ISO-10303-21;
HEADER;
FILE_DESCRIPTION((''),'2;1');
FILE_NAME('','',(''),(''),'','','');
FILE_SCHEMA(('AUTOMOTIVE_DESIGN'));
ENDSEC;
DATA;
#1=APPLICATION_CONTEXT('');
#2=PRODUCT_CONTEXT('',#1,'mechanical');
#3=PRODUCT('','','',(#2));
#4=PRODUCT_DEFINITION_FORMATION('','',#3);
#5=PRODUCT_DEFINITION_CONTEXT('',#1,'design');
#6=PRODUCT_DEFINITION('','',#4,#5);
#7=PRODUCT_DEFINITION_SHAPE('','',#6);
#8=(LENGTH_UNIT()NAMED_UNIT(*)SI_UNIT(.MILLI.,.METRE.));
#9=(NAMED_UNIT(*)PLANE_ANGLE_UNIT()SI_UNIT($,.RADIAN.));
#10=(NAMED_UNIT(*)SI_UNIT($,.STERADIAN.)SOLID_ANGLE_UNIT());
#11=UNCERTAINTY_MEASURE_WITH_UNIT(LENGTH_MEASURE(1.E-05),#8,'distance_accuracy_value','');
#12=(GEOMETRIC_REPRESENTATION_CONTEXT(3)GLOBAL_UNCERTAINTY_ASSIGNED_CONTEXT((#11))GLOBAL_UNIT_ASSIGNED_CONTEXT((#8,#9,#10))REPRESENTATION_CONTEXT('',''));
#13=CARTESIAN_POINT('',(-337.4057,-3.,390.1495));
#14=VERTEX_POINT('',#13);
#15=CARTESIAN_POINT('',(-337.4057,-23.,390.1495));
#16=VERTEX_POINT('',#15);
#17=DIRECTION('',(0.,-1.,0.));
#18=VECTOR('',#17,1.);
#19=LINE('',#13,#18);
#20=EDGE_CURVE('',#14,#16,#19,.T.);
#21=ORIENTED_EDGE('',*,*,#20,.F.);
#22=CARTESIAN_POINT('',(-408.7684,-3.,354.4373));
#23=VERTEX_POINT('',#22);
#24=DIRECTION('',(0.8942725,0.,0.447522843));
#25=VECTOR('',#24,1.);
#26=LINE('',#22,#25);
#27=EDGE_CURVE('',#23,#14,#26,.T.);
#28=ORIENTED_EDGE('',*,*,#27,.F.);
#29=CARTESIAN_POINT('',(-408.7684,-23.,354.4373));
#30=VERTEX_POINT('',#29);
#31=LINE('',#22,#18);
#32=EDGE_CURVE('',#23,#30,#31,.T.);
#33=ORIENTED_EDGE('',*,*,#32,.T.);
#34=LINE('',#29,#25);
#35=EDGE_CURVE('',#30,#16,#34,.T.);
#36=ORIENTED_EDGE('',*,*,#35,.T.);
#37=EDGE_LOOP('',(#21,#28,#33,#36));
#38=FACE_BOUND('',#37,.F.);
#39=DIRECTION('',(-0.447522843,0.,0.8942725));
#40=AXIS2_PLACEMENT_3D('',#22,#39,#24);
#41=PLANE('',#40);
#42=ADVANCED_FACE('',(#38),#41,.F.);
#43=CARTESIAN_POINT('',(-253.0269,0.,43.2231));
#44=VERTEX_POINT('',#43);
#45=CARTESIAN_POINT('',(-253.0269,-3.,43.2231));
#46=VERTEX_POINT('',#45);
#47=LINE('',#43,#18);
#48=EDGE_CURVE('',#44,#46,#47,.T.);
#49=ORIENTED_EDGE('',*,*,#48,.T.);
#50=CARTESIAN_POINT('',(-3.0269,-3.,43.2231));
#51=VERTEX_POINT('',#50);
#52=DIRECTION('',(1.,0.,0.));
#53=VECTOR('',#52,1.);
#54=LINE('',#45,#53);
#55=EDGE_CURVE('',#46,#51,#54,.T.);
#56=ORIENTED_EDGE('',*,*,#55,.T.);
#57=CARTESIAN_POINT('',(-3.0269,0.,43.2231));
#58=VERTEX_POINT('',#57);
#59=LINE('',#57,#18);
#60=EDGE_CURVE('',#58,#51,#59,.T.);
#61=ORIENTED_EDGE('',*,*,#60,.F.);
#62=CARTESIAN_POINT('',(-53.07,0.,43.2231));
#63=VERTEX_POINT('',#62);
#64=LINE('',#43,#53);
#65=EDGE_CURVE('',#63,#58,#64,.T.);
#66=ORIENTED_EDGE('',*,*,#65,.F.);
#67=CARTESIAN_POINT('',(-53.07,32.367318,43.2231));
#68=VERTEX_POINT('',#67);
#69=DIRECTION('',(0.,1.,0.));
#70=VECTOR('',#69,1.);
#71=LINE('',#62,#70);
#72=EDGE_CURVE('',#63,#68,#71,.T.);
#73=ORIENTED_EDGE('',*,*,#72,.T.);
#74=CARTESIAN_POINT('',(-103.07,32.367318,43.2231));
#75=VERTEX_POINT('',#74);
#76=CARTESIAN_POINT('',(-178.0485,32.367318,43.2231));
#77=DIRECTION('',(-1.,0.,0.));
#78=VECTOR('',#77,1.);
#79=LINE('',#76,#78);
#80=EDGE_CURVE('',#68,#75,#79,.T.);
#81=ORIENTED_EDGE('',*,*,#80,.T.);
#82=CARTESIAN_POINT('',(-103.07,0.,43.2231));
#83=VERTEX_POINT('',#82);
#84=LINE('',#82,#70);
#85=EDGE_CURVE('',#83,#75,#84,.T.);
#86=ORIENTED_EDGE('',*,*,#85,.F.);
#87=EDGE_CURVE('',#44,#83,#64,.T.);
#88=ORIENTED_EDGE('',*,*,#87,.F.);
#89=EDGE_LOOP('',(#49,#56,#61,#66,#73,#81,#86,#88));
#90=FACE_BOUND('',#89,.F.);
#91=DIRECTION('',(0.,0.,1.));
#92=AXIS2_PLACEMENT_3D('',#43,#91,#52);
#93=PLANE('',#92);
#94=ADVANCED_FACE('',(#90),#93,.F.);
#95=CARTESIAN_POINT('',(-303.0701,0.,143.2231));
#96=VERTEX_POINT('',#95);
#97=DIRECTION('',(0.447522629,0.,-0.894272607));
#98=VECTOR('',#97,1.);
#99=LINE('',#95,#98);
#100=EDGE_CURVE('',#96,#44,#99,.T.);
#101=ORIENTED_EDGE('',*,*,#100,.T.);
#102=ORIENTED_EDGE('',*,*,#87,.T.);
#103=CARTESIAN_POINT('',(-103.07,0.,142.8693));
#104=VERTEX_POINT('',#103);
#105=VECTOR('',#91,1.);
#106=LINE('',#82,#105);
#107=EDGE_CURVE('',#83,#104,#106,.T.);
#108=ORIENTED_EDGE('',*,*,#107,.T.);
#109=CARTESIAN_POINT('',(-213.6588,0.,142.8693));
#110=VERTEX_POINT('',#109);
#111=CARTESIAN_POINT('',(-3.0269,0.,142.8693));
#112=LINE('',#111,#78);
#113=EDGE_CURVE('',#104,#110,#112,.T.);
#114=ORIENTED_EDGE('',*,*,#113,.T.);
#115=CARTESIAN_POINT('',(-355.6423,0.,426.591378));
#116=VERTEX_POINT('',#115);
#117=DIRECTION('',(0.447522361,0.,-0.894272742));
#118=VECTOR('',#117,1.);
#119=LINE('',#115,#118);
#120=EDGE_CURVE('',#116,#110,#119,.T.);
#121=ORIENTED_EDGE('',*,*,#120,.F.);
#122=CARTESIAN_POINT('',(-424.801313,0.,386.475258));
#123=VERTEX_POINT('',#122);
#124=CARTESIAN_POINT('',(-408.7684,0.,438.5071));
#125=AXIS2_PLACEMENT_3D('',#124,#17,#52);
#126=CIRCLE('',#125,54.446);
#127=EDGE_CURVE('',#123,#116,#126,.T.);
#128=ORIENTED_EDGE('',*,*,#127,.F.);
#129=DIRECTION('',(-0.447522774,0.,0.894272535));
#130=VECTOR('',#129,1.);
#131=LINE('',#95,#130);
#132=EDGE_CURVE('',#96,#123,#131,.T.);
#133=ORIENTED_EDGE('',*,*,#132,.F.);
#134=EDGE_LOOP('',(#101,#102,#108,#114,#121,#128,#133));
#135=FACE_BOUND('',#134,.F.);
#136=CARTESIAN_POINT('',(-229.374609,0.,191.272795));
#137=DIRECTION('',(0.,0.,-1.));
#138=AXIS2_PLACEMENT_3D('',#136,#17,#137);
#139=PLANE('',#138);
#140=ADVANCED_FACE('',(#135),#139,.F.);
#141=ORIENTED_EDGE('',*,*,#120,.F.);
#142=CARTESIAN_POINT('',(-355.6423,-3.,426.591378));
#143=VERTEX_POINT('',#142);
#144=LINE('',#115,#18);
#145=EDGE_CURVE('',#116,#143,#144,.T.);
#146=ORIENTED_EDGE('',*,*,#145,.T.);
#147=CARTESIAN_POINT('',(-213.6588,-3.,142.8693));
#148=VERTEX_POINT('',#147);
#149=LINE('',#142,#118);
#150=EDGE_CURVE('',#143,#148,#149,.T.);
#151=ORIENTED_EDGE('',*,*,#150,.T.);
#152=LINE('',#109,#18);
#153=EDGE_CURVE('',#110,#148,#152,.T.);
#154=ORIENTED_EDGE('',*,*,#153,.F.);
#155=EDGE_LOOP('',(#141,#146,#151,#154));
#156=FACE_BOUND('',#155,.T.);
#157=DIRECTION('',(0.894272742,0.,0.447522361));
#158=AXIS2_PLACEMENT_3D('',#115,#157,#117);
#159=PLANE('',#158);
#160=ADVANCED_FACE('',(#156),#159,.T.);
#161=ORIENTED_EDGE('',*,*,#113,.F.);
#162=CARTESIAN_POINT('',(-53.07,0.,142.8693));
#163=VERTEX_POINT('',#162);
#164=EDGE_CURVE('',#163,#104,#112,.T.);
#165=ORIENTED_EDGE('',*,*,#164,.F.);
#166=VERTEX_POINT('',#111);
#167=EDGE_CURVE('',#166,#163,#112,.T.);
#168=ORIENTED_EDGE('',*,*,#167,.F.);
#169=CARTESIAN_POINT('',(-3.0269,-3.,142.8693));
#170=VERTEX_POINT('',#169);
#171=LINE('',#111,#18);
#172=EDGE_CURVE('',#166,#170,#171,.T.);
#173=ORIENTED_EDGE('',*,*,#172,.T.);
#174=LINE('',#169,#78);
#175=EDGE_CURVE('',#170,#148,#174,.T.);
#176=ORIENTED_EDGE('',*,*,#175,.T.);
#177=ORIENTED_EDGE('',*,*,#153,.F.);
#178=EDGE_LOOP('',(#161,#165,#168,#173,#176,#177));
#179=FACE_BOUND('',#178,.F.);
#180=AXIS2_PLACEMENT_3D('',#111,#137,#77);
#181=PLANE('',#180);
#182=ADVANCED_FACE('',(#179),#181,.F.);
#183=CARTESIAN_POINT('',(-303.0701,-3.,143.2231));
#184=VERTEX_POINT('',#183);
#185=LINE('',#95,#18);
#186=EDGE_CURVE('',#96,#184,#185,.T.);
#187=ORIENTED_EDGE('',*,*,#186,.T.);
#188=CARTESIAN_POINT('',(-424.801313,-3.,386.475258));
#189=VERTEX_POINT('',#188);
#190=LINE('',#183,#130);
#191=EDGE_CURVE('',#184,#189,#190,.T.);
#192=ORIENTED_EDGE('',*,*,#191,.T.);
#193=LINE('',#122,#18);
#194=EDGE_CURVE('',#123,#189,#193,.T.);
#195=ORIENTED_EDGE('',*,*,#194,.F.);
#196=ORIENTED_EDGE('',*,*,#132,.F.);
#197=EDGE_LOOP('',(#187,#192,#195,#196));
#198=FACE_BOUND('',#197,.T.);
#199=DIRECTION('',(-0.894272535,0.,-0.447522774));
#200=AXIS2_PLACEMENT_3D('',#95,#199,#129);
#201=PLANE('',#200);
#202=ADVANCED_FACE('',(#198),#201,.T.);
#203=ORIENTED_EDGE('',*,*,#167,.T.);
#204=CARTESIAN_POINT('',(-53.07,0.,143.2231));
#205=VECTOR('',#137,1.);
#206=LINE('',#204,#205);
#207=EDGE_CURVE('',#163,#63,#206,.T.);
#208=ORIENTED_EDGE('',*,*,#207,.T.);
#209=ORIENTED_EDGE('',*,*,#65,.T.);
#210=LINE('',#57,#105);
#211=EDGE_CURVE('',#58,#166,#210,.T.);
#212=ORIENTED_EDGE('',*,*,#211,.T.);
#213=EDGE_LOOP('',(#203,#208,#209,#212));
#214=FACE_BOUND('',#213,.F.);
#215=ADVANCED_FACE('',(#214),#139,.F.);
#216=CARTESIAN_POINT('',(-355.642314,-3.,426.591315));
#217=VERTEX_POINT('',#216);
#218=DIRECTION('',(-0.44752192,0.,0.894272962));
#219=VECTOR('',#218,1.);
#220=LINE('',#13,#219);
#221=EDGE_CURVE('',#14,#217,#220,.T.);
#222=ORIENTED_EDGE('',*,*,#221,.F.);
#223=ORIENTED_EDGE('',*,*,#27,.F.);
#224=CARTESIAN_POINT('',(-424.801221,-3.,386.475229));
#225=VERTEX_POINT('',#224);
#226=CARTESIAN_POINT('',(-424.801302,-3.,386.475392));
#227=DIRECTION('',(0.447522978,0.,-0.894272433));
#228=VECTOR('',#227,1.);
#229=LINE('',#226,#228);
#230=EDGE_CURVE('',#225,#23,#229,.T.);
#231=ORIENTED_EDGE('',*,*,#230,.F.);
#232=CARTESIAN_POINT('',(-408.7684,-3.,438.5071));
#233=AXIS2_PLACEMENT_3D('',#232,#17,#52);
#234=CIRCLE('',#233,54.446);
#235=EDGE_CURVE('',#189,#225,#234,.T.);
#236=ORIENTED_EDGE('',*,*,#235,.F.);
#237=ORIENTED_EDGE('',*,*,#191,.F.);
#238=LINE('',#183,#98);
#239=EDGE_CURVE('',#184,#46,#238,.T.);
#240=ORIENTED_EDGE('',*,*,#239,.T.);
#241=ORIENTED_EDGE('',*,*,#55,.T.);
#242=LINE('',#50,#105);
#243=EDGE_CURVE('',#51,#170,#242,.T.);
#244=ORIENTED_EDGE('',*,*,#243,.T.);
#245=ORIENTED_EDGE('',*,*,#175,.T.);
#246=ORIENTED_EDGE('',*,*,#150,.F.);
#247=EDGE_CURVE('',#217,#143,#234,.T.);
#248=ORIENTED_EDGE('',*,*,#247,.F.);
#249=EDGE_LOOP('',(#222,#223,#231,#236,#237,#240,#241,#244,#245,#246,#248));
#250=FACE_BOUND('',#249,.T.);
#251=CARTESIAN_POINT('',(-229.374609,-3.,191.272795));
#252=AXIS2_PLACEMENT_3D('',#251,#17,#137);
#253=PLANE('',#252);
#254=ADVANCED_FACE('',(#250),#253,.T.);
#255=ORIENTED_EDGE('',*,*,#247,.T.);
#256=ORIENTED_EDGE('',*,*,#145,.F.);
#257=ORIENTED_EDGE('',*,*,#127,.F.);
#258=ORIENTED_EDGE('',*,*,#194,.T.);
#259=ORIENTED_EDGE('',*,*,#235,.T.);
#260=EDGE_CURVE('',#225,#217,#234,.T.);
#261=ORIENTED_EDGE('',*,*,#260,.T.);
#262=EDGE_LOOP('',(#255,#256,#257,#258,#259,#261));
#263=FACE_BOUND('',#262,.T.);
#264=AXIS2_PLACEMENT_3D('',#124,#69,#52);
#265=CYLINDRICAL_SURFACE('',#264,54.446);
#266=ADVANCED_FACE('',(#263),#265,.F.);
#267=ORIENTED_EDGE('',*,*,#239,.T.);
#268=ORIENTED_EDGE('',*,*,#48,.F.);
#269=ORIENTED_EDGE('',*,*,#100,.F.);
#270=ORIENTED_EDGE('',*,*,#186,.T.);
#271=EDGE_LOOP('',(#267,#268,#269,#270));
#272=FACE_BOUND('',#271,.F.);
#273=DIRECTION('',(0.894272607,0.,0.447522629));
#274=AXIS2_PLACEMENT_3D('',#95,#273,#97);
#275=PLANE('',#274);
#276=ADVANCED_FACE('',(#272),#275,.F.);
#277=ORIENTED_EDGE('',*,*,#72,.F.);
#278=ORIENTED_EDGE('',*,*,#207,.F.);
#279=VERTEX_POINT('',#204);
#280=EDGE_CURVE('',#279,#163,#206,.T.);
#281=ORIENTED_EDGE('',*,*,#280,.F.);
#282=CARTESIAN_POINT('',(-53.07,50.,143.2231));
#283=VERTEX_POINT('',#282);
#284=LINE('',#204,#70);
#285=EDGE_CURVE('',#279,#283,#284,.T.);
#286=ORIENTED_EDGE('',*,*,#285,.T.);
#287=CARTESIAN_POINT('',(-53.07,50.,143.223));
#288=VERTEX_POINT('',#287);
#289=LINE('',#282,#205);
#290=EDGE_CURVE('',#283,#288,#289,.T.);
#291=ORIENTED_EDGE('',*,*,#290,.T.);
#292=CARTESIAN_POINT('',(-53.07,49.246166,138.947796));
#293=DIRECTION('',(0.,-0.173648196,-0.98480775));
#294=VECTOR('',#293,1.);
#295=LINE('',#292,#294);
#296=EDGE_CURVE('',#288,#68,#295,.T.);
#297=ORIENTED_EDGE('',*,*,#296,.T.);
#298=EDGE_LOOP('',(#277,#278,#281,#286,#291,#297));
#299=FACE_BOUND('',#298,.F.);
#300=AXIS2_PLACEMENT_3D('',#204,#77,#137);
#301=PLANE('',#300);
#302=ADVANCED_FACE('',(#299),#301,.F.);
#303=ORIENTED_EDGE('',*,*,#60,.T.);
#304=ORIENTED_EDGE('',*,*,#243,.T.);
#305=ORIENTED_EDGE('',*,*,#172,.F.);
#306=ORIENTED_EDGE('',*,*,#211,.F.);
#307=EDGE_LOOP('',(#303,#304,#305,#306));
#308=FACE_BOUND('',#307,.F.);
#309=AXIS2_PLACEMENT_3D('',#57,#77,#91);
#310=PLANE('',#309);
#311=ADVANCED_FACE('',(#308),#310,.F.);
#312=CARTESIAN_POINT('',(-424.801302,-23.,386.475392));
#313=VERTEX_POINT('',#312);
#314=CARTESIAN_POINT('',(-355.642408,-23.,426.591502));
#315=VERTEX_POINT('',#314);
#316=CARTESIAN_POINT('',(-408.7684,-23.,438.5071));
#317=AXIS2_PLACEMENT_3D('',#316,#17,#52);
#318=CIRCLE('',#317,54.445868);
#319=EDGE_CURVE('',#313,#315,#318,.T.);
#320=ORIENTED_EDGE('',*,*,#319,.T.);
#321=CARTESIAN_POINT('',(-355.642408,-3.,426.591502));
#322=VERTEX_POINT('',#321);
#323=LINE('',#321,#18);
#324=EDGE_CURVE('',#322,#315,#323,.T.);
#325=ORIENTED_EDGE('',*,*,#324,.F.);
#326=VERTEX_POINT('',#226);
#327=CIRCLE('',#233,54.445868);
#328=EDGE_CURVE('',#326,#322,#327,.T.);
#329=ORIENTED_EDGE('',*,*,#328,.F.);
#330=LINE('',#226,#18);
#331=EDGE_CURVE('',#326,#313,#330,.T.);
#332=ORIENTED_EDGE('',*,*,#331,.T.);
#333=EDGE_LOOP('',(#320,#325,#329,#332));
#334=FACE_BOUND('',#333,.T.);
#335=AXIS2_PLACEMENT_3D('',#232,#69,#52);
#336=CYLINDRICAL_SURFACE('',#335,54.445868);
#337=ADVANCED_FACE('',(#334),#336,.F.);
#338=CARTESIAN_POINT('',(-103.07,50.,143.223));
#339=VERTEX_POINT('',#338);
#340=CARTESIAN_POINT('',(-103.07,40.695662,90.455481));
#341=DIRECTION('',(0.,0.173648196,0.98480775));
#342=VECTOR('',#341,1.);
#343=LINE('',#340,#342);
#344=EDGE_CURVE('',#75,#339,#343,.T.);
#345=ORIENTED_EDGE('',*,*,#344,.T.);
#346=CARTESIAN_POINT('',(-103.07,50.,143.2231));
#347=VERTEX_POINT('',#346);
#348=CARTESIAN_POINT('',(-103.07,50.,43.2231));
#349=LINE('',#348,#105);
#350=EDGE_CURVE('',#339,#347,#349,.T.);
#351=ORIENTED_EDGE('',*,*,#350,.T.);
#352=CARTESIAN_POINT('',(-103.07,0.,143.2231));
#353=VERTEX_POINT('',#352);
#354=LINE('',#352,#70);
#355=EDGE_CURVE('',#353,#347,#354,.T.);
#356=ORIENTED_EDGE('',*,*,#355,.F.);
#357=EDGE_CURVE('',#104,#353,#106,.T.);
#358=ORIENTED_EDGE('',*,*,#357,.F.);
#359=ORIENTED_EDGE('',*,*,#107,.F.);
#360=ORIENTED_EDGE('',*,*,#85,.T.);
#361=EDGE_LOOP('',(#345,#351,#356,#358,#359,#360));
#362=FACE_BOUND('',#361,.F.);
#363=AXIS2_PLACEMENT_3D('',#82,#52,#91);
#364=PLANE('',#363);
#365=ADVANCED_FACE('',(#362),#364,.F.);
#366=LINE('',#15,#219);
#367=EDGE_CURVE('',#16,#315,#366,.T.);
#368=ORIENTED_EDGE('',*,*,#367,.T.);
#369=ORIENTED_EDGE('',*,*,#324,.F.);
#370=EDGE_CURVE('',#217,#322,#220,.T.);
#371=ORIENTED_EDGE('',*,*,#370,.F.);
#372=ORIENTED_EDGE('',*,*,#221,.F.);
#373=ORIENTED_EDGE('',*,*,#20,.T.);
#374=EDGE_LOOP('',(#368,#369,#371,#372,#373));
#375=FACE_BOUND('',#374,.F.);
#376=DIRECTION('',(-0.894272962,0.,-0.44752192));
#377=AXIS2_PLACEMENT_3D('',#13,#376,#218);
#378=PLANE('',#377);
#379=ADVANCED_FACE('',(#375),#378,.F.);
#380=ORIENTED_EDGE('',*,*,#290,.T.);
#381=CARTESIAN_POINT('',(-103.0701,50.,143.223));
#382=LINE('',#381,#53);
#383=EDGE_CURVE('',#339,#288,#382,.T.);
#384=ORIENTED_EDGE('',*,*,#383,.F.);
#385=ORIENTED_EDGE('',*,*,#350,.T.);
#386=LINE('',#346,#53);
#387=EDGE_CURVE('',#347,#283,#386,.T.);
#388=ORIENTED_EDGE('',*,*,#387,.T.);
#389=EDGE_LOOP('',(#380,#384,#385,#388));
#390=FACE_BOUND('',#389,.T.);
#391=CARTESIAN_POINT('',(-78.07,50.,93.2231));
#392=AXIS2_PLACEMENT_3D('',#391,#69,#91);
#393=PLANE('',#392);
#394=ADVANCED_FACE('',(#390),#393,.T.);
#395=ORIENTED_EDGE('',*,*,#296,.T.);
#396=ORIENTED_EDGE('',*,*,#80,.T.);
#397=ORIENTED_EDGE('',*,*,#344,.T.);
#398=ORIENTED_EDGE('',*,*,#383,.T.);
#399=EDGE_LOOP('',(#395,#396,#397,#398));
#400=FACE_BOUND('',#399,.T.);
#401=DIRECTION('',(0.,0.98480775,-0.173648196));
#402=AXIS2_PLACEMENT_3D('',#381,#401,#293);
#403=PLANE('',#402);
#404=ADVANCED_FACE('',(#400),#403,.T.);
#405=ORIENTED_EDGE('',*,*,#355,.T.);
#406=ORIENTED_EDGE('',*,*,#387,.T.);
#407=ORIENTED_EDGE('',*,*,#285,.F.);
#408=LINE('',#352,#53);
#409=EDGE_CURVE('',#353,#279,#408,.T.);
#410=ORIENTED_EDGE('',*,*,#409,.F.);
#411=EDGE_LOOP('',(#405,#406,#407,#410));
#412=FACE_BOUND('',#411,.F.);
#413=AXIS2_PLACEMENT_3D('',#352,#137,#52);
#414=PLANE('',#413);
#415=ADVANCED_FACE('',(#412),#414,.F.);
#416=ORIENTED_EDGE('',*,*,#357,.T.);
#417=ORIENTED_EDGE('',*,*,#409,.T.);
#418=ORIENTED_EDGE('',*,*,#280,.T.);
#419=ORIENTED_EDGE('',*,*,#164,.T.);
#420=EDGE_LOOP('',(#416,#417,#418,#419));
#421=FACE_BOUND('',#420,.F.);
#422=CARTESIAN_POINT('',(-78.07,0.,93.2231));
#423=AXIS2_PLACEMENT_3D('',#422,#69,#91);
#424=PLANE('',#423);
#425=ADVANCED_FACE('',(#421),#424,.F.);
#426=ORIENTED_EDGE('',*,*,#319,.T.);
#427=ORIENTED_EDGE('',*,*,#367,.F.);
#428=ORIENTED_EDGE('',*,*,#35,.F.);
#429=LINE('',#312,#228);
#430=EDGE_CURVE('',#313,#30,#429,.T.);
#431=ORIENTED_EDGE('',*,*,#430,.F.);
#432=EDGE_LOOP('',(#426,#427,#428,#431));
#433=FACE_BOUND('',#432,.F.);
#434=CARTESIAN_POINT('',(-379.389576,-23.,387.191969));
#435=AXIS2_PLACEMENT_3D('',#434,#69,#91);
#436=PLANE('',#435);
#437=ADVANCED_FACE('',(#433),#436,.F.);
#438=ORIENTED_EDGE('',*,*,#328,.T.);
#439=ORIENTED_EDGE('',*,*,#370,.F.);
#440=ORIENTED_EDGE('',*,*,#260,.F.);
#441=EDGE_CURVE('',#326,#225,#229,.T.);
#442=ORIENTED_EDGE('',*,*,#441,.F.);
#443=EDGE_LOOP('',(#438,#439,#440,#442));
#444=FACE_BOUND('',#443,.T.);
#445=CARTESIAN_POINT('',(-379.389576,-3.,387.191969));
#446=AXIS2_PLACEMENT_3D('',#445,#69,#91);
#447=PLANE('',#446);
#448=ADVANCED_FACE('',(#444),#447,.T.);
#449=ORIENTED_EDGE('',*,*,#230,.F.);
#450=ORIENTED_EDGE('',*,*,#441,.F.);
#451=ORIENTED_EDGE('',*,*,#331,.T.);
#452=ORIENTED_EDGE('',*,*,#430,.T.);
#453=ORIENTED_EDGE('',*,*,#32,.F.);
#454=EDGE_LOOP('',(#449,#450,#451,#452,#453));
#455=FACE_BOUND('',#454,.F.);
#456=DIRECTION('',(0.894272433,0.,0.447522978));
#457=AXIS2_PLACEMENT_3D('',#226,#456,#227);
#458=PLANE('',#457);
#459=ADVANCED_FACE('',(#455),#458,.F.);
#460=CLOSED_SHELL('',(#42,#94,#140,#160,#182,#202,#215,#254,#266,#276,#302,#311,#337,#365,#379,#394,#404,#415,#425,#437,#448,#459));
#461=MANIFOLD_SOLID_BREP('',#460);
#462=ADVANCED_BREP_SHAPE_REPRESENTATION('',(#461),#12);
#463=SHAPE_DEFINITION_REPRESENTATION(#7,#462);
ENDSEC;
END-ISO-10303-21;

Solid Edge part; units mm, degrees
sketch "Sketch1" plane through (0, 0, 0) normal (0, -1, 0) x (1, 0, 0)
  line L0 (-253.0269, 43.2231) -> (-3.0269, 43.2231)
  line L1 (-3.0269, 43.2231) -> (-3.0269, 142.8693)
  line L2 (-3.0269, 142.8693) -> (-213.6588, 142.8693)
  line L3 (-355.6424, 426.5914) -> (-213.6588, 142.8693)
  arc A0 (-424.8013, 386.4753) -> (-355.6424, 426.5914) centre (-408.7684, 438.5071) ccw
  line L4 (-303.0701, 143.2231) -> (-424.8013, 386.4753)
  line L5 (-303.0701, 143.2231) -> (-253.0269, 43.2231)
  dimension "D1" = 250
extrude "Protrusion1" add sketch "Sketch1" along normal blind 3
sketch "Sketch2" plane through (-252.7601, 0, 247.3078) normal (0, 1, 0) x (-1, 0, 0)
  line L0 (-199.6901, -204.0847) -> (-149.6901, -204.0847)
  line L1 (-149.6901, -204.0847) -> (-149.6901, -104.0847)
  line L2 (-149.6901, -104.0847) -> (-199.6901, -104.0847)
  line L3 (-199.6901, -104.0847) -> (-199.6901, -204.0847)
extrude "ExtrudedProtrusion_4" add sketch "Sketch2" along normal blind 50
sketch "Sketch3" plane through (-103.0701, 25, 93.223) normal (-1, 0, 0) x (0, -1, 0)
  line L0 (-25, 50) -> (-7.3673, -50)
  line L1 (-7.3673, -50) -> (-25, -50)
  line L2 (-25, -50) -> (-25, 50)
extrude "Cutout1" cut sketch "Sketch3" against normal through all
sketch "Sketch4" plane through (-238.9357, -3, 234.9073) normal (0, -1, 0) x (1, 0, 0)
  arc A0 (-185.8656, 151.5681) -> (-116.7067, 191.6842) centre (-169.8327, 203.5998) ccw
  line L0 (-98.47, 155.2422) -> (-116.7067, 191.6842)
  line L1 (-169.8327, 119.53) -> (-98.47, 155.2422)
  line L2 (-185.8656, 151.5681) -> (-169.8327, 119.53)
extrude "ExtrudedProtrusion_5" add sketch "Sketch4" along normal blind 20
